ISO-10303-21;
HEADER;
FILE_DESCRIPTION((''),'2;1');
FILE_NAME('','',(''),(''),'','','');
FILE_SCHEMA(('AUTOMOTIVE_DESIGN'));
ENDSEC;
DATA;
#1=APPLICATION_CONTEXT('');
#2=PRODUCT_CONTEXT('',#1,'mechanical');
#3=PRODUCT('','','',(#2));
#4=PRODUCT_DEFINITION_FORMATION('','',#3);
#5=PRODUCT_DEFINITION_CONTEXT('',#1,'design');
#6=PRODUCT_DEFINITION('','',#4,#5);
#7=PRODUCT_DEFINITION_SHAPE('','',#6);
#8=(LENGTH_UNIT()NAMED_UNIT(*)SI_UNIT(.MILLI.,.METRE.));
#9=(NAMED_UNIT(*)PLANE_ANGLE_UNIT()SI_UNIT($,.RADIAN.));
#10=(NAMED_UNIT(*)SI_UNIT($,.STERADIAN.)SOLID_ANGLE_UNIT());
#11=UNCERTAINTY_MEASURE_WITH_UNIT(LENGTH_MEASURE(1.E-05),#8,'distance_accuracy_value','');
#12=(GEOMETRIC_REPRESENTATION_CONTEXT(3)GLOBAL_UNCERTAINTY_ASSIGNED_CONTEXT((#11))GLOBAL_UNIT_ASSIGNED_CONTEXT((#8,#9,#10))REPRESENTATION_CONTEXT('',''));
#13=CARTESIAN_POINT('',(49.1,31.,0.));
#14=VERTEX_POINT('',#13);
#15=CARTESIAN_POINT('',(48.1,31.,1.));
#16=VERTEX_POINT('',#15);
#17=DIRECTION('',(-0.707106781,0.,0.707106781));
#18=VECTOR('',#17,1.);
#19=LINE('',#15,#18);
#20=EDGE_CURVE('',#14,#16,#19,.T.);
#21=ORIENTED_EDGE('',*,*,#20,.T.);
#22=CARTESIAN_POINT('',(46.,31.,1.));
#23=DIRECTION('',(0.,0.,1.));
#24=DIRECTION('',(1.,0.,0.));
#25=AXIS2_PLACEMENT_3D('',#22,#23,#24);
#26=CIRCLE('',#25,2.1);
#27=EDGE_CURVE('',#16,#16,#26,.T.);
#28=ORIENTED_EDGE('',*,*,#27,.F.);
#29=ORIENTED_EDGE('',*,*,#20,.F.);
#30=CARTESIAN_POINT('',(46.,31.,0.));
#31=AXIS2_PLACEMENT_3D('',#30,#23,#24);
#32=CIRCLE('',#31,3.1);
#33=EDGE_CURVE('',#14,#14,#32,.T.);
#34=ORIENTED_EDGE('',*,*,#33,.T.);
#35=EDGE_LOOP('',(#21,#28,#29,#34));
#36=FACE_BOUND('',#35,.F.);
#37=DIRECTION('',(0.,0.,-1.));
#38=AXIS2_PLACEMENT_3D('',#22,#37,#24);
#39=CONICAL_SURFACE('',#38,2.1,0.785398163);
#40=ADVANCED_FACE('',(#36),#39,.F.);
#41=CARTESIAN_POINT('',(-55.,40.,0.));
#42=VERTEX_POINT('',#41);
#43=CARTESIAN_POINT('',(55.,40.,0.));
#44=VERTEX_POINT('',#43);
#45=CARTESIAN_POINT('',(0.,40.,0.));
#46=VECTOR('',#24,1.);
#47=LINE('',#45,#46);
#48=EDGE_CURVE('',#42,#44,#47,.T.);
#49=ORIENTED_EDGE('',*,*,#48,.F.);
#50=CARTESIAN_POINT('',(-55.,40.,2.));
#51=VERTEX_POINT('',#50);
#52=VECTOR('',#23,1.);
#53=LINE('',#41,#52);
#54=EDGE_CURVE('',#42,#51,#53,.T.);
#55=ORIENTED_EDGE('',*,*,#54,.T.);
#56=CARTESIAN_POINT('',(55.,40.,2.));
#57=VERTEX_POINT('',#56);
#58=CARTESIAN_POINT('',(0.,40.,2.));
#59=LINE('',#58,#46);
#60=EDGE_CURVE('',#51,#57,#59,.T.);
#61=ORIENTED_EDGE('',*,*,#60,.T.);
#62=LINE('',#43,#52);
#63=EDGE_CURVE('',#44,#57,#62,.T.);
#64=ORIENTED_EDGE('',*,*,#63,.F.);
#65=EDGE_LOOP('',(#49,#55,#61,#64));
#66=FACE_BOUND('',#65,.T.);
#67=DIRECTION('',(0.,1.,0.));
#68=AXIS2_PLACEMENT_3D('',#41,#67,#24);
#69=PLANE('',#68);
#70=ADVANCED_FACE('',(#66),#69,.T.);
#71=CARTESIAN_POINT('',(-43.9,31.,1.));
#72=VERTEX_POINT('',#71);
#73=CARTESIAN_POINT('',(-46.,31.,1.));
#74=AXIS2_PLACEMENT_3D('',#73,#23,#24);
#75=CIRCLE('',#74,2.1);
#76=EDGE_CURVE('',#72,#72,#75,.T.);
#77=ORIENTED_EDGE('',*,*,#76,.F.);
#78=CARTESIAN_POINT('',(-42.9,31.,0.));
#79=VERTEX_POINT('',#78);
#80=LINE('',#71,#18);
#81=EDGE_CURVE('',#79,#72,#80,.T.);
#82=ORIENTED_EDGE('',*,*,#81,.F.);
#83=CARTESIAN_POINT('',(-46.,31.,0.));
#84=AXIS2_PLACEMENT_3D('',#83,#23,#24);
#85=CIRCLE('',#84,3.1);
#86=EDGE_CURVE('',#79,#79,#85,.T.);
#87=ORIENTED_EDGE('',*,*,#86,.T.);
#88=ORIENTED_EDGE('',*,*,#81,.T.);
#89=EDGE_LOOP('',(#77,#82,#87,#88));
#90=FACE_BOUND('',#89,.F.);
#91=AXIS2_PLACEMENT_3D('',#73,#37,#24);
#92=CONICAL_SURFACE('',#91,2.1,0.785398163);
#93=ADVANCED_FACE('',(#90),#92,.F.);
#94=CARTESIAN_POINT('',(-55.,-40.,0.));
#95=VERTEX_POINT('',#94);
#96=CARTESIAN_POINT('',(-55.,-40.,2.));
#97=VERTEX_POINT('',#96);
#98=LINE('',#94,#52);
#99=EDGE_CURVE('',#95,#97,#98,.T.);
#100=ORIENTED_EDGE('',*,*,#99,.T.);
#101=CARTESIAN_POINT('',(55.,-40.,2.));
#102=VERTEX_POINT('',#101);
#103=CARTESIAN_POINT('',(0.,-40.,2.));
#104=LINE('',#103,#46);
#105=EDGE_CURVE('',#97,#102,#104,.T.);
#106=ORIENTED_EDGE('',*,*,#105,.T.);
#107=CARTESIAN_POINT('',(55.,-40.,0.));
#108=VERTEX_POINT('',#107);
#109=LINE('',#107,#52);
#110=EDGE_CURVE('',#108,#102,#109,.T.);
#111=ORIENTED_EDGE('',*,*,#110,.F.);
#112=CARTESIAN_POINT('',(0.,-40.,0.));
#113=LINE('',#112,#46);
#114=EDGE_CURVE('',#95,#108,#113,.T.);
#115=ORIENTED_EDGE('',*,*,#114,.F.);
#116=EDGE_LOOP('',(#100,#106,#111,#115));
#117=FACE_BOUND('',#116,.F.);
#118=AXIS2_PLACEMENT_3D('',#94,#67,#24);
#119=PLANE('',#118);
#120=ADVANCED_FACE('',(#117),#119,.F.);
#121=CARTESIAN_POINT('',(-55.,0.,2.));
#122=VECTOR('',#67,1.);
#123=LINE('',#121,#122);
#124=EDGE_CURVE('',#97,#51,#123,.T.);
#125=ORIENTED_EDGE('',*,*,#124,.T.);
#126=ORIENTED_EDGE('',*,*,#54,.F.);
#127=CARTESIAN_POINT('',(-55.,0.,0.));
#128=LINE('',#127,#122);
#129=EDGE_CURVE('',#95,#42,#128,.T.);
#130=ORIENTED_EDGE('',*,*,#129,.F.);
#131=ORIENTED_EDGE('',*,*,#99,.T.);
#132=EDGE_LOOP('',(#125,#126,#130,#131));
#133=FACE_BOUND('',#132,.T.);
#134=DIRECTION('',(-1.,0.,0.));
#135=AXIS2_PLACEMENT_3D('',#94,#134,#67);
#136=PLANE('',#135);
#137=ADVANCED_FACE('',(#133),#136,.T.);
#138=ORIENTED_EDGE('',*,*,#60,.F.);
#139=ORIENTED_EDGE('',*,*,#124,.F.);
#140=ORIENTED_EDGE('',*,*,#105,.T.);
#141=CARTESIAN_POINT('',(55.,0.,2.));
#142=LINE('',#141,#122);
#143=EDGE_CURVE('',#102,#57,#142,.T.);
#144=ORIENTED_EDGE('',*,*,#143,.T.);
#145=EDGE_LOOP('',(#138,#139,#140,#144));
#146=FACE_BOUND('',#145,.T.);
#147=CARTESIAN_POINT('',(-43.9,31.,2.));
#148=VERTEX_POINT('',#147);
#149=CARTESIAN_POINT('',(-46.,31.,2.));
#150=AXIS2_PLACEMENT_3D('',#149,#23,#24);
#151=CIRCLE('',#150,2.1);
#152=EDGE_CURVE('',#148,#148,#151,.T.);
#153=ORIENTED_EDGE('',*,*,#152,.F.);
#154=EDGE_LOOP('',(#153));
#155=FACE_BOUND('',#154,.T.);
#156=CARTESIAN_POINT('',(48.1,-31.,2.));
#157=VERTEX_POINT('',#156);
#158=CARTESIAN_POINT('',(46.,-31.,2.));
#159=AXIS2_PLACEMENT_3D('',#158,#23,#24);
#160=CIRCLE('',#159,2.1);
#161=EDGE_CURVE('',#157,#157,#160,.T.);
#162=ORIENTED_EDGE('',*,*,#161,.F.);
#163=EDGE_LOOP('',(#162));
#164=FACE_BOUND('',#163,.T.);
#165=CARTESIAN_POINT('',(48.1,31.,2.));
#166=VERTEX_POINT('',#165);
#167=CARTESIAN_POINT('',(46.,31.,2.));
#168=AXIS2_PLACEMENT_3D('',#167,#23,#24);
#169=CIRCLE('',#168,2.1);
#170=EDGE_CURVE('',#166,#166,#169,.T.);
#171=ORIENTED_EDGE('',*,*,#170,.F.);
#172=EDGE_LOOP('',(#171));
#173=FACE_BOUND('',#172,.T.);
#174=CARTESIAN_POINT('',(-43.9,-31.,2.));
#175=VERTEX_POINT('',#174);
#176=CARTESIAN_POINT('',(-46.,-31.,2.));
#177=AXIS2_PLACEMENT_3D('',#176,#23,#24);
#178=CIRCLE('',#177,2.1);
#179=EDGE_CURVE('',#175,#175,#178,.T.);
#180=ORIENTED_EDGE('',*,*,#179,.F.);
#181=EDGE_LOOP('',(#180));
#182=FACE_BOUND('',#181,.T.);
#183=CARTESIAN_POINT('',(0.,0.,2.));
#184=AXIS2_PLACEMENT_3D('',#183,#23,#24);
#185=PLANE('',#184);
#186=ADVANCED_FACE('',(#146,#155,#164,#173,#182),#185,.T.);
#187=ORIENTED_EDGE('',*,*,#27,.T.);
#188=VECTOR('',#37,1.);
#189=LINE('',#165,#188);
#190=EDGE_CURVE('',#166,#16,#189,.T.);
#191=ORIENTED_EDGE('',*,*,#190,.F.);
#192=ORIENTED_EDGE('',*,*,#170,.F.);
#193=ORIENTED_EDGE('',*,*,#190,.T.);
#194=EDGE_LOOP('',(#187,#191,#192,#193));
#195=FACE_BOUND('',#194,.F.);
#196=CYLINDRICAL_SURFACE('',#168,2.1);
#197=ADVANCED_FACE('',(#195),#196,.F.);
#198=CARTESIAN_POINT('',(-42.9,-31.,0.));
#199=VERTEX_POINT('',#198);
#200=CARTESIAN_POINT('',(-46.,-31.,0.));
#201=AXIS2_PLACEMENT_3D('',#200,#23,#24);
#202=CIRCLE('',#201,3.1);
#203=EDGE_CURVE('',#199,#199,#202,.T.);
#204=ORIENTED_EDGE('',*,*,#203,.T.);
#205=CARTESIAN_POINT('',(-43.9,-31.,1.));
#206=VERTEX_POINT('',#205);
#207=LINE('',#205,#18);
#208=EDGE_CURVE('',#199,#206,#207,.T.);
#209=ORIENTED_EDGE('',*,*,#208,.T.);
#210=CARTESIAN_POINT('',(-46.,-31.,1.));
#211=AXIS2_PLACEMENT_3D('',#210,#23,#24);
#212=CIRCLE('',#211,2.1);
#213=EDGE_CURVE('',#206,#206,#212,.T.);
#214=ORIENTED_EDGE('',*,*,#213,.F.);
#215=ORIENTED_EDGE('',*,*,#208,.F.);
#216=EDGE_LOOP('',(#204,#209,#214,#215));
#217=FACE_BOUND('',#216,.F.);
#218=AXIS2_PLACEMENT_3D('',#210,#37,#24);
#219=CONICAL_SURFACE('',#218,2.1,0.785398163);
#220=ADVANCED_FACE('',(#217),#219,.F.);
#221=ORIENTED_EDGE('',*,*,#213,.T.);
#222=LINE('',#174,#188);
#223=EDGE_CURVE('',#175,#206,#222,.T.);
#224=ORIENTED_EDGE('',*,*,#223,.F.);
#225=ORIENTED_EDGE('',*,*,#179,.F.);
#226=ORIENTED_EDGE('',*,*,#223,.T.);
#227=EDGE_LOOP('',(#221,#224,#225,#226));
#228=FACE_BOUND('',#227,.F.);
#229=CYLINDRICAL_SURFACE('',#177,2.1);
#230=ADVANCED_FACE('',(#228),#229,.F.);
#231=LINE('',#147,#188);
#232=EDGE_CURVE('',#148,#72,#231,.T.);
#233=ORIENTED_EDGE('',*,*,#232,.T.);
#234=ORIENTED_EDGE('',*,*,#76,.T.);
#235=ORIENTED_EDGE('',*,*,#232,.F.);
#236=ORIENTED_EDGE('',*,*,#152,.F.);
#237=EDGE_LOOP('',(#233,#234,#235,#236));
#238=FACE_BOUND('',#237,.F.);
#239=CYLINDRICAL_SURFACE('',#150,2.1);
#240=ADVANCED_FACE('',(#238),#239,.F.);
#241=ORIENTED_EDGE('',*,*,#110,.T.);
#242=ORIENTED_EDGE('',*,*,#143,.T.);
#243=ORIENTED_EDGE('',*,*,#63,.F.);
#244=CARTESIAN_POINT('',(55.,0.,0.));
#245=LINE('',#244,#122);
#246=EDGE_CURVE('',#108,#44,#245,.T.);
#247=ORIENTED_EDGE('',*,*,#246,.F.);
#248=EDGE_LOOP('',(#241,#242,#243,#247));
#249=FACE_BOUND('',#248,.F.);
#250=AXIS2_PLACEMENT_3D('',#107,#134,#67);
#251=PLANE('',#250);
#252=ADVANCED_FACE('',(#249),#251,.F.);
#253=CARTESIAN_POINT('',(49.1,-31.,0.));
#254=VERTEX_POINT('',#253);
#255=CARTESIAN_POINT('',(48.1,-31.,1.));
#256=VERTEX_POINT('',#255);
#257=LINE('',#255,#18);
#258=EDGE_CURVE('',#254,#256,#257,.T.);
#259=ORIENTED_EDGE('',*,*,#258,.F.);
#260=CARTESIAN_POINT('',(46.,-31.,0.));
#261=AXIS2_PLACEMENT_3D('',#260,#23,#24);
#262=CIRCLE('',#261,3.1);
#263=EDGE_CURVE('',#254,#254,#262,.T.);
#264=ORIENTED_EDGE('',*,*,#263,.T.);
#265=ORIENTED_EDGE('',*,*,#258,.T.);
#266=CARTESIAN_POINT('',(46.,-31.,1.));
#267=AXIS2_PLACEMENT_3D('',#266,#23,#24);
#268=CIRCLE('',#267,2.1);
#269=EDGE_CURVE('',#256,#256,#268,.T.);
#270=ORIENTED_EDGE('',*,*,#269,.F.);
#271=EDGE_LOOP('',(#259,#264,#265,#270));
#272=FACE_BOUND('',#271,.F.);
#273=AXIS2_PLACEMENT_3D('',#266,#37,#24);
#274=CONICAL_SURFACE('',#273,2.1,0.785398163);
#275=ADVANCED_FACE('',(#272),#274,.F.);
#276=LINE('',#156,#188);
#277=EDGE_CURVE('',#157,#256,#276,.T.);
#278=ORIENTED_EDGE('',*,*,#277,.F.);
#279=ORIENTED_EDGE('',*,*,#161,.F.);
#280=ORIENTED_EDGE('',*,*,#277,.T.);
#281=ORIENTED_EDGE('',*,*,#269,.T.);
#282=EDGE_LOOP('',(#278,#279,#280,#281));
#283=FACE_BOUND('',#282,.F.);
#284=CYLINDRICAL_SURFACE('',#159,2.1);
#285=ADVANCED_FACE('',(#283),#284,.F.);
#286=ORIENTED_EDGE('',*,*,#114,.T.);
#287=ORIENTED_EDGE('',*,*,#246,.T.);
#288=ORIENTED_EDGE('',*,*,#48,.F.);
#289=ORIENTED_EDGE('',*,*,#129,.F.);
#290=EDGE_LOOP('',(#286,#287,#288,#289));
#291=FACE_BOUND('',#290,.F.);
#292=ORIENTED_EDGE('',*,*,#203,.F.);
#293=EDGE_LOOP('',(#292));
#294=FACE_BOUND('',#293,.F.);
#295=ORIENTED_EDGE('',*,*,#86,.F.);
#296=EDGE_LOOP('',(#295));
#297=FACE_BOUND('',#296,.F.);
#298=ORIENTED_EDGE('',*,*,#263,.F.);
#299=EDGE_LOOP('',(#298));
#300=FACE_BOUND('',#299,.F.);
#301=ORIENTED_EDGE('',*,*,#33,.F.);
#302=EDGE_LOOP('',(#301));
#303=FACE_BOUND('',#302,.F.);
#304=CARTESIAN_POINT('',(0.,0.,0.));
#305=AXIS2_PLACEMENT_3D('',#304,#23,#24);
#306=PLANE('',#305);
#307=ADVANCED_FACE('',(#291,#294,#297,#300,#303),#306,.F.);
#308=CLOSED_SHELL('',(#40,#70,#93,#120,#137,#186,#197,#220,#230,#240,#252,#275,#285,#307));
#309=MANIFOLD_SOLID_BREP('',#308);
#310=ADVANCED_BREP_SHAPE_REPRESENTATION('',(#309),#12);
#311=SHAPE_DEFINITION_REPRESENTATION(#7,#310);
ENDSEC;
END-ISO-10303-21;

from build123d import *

# Parameters (mm, degrees)
SKETCH_W     = 110
SKETCH_H     = 80
PAD_DEPTH    = 2
SKETCH001_R  = 2.1
POCKET_DEPTH = 5
CHAMFER_SIZE = 1


with BuildPart() as part:
    # Sketch → Pad (new body)
    with BuildSketch(Plane.XY):
        Rectangle(SKETCH_W, SKETCH_H)
    extrude(amount=PAD_DEPTH)

    # Sketch001 (on Face6 of Pad) → Pocket (cut)
    with BuildSketch(Plane.XY.offset(2)):
        with Locations((46, 31)):
            Circle(SKETCH001_R)
        with Locations((-46, 31)):
            Circle(SKETCH001_R)
        with Locations((-46, -31)):
            Circle(SKETCH001_R)
        with Locations((46, -31)):
            Circle(SKETCH001_R)
    extrude(amount=-POCKET_DEPTH, mode=Mode.SUBTRACT)

    # Chamfer
    chamfer_edges = [part.edges().sort_by_distance(p)[0] for p in [
        (-48.1, -31, 0),
        (-48.1, 31, 0),
        (43.9, 31, 0),
        (43.9, -31, 0),
    ]]
    chamfer(chamfer_edges, length=CHAMFER_SIZE)


solid = part.part
